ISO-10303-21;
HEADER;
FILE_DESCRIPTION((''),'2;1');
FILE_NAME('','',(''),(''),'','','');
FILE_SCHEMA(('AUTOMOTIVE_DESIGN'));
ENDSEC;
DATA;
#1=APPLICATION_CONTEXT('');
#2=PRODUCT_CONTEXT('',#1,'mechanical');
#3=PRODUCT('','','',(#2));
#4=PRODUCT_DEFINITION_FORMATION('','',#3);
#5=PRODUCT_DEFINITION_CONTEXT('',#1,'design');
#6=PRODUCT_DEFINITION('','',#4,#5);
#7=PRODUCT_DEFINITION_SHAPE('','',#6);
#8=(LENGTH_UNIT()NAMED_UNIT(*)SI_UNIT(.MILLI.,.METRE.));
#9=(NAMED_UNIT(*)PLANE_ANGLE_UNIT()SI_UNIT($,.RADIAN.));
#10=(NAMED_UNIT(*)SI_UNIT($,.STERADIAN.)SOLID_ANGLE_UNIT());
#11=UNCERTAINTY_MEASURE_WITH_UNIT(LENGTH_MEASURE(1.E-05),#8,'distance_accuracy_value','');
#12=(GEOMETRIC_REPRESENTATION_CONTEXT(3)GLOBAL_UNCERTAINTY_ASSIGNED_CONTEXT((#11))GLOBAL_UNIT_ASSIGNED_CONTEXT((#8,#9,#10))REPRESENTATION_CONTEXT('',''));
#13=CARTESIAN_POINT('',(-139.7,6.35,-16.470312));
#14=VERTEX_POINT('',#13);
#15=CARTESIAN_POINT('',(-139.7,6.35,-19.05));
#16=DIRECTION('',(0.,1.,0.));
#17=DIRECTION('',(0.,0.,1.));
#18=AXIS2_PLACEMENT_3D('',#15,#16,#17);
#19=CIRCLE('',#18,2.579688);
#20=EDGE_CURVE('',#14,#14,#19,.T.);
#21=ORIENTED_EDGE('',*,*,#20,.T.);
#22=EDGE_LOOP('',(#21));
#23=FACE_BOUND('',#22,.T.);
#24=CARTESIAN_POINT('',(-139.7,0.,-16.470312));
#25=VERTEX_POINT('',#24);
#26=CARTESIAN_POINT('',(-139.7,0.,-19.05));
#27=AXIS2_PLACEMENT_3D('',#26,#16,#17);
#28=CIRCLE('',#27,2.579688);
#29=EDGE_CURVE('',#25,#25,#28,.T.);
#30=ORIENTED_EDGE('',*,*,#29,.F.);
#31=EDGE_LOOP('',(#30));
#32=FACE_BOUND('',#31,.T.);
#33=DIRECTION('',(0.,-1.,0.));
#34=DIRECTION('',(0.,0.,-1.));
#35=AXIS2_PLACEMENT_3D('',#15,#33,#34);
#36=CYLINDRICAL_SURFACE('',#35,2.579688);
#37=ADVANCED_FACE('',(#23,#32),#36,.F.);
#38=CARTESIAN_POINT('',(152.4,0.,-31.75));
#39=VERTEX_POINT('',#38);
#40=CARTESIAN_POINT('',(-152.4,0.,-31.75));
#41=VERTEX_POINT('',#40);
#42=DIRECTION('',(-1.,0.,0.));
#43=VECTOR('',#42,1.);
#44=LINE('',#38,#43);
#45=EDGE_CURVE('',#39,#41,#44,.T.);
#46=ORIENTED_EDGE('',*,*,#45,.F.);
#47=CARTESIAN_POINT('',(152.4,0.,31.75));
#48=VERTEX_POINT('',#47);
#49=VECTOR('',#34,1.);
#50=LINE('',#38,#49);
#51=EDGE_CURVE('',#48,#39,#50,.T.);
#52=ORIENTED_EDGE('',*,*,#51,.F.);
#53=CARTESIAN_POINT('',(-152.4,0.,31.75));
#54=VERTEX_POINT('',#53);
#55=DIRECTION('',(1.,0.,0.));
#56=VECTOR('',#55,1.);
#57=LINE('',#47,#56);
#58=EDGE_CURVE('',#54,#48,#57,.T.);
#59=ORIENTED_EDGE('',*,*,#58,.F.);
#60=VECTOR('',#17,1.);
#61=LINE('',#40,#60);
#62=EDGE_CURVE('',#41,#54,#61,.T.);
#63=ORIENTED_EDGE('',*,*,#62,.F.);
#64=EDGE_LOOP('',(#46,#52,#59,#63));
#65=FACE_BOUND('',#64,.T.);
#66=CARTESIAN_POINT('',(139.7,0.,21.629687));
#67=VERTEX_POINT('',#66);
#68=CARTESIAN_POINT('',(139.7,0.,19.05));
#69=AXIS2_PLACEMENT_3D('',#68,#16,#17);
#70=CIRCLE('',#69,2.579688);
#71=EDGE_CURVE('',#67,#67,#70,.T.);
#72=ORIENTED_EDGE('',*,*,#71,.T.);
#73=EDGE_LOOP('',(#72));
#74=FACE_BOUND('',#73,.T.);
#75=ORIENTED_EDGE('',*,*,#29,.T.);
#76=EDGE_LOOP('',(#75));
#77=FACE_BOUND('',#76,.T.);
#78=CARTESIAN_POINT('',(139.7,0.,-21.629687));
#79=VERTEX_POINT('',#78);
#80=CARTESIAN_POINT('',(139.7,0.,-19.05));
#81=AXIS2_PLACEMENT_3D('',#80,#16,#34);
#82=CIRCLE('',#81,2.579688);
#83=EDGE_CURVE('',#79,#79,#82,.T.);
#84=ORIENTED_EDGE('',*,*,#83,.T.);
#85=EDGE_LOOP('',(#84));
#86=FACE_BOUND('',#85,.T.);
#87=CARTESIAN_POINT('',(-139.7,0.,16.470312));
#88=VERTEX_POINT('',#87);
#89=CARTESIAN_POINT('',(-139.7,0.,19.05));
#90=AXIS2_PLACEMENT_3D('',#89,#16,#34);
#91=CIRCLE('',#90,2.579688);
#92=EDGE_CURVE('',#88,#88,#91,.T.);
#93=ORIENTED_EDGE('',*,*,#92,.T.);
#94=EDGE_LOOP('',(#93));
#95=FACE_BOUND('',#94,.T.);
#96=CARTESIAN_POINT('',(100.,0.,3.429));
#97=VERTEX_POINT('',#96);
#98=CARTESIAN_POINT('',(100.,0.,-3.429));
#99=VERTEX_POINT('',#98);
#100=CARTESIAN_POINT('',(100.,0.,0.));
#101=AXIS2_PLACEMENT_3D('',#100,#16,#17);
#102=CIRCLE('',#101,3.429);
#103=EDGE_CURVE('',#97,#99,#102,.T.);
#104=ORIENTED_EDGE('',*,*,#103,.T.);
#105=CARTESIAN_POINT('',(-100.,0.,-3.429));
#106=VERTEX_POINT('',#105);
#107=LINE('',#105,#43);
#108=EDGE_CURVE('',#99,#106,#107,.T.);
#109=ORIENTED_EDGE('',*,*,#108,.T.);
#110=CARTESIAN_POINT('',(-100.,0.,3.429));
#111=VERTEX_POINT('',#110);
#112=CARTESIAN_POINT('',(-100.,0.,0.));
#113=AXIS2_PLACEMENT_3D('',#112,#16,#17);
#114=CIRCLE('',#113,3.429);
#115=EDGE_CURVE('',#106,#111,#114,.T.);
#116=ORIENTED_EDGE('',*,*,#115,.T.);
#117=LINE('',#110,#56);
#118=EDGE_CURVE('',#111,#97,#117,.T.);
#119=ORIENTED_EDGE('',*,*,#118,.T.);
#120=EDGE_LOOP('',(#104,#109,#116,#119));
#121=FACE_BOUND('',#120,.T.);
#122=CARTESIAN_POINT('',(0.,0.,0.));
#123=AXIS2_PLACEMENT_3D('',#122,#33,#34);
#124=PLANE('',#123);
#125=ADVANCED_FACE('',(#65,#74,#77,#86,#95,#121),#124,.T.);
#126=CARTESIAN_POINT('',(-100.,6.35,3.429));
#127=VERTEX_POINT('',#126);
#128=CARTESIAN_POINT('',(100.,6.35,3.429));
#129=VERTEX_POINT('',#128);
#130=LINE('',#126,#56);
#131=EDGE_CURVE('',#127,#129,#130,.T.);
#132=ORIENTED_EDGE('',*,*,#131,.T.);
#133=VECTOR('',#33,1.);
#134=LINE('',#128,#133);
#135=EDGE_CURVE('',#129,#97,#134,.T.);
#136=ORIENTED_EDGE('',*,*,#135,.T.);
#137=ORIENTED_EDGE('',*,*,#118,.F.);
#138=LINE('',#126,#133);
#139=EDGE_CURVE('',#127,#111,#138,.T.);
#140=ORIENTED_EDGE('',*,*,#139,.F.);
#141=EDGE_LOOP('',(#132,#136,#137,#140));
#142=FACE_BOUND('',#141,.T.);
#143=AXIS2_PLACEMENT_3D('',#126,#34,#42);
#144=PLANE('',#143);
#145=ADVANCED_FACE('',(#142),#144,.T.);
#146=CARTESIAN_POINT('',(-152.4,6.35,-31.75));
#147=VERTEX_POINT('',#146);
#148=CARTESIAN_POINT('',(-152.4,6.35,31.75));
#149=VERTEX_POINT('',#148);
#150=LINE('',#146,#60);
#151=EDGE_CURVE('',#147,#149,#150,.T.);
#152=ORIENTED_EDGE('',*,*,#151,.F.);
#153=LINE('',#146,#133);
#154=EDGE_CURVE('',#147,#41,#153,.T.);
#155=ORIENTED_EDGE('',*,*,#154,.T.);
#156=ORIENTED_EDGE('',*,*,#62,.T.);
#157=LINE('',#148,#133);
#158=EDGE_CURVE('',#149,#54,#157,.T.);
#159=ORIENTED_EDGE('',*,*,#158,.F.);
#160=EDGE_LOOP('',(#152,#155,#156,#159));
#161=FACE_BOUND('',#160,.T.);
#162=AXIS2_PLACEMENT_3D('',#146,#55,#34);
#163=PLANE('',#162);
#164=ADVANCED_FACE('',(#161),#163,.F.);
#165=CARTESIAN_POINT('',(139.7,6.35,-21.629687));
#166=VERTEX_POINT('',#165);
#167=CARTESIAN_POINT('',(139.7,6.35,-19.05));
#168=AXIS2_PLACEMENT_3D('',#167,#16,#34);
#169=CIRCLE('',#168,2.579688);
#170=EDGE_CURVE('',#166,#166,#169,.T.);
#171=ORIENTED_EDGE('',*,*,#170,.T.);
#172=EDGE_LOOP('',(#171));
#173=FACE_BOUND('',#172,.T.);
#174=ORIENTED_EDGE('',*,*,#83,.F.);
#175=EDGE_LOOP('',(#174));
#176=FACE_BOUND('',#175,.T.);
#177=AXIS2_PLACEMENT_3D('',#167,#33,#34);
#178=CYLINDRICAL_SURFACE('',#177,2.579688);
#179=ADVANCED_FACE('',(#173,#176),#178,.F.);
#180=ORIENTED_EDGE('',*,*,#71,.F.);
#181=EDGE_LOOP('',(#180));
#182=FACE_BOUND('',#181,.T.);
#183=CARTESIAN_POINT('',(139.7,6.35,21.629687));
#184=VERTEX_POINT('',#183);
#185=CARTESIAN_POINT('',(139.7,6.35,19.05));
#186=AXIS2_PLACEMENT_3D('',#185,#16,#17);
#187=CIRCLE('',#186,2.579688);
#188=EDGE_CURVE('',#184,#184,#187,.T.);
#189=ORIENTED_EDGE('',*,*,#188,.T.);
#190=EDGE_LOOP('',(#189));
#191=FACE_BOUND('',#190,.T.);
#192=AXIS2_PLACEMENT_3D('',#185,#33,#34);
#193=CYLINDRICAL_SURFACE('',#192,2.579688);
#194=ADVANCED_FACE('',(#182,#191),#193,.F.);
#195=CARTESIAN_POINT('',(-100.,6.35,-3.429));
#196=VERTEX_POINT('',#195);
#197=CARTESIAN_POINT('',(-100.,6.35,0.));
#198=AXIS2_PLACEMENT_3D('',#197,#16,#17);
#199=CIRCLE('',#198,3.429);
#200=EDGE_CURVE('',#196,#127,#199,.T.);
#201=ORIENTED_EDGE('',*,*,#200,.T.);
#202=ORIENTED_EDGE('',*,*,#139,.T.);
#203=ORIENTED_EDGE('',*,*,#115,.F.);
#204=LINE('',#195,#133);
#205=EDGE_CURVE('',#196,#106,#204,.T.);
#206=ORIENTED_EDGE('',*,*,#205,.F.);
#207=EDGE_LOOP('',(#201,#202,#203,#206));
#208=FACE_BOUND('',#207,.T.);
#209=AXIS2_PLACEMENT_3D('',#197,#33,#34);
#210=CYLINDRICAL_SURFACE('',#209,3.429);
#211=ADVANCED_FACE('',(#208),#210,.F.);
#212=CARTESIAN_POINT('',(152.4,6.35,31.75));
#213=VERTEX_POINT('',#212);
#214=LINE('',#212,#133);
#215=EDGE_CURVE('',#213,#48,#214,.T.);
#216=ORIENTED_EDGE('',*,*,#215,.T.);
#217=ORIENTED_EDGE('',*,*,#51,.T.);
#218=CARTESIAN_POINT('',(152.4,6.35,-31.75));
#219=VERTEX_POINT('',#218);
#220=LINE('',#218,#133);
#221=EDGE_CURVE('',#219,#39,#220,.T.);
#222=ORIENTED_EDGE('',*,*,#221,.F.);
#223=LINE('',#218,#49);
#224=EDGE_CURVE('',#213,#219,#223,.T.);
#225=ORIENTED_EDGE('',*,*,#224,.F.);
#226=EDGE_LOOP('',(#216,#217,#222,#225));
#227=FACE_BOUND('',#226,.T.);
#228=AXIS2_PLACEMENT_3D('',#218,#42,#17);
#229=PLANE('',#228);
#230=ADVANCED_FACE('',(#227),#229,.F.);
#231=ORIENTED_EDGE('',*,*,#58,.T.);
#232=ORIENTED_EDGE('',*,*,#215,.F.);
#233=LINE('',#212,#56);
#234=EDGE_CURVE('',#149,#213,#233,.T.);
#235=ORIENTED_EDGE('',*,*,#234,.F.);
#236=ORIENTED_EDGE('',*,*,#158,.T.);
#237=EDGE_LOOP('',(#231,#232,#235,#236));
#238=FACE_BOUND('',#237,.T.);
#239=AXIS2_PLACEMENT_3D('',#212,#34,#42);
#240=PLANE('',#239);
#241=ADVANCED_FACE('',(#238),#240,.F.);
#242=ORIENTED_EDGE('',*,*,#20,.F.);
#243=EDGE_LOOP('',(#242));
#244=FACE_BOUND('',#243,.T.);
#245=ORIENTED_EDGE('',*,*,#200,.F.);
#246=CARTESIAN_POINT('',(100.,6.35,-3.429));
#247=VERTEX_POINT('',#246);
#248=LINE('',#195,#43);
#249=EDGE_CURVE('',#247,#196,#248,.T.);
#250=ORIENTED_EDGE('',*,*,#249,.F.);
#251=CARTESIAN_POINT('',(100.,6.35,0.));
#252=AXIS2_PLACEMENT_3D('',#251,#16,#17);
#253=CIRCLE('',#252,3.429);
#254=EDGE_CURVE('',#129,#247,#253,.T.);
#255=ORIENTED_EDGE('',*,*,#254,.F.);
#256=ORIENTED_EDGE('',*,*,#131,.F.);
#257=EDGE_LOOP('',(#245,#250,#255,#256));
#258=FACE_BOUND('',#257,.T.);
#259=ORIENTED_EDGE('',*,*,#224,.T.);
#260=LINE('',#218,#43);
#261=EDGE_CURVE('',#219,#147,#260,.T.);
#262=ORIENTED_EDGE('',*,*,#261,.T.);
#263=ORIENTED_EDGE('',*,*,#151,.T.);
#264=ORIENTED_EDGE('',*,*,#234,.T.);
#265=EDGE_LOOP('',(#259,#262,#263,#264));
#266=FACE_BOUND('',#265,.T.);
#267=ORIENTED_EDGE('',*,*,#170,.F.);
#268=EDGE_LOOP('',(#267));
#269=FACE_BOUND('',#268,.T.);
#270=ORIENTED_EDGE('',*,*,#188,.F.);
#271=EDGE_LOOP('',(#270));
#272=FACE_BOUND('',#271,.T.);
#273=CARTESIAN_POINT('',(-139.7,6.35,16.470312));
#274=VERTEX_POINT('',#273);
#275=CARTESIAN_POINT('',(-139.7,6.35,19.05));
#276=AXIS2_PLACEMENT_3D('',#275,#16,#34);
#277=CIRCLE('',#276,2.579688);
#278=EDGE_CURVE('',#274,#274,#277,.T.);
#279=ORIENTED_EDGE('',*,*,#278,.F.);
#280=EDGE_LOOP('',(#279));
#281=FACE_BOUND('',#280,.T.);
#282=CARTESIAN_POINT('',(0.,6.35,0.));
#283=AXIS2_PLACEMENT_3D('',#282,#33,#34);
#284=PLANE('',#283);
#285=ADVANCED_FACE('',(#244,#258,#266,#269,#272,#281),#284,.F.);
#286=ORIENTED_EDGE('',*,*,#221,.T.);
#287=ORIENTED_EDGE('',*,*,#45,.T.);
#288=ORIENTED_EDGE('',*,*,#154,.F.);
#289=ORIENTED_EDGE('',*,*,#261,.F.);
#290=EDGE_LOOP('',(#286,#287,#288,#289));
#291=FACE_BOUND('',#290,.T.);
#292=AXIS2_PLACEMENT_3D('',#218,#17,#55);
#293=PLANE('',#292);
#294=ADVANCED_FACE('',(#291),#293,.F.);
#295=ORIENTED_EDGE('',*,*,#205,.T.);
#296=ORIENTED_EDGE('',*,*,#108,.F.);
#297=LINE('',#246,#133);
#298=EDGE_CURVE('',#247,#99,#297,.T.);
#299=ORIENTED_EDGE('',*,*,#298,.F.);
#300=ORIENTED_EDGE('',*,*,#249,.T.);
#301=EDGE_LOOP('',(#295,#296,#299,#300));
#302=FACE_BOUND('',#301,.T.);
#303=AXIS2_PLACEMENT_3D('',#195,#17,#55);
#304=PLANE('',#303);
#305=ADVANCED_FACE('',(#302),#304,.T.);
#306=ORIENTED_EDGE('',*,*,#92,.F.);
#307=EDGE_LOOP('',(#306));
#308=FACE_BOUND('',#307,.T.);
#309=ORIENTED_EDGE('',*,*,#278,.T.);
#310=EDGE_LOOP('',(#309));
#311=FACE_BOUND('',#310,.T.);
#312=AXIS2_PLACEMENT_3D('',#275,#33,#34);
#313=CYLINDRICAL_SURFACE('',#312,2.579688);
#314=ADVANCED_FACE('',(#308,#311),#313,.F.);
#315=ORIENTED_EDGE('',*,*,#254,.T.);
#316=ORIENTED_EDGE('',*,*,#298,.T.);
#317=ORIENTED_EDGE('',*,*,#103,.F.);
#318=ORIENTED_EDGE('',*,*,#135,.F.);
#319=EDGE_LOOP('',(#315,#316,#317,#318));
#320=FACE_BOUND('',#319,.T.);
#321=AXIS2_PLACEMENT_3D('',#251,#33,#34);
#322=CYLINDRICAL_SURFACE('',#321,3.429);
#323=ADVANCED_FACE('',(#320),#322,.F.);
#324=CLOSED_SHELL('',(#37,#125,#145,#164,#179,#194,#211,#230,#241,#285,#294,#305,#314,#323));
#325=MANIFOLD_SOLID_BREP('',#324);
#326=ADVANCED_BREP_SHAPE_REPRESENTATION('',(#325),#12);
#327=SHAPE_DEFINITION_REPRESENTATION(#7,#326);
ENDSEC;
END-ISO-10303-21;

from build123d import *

# Parameters (mm, degrees)
SKETCH1_W           = 304.8
SKETCH1_H           = 63.5
SKETCH1_R           = 2.5796875
BOSS_EXTRUDE1_DEPTH = 6.35


with BuildPart() as part:
    # Sketch1 → Boss-Extrude1 (new body)
    with BuildSketch(Plane(origin=(0, 0, 0), x_dir=(1, 0, 0), z_dir=(0, 1, 0))):
        Rectangle(SKETCH1_W, SKETCH1_H)
        with Locations(Location((-139.7, 19.05, 0), (0, 0, 270))):
            Circle(SKETCH1_R, mode=Mode.SUBTRACT)
        with Locations(Location((139.7, 19.05, 0), (0, 0, 90))):
            Circle(SKETCH1_R, mode=Mode.SUBTRACT)
        with Locations(Location((139.7, -19.05, 0), (0, 0, 270))):
            Circle(SKETCH1_R, mode=Mode.SUBTRACT)
        with Locations(Location((-139.7, -19.05, 0), (0, 0, 90))):
            Circle(SKETCH1_R, mode=Mode.SUBTRACT)
        with BuildLine():
            Line((-100, 3.429), (100, 3.429))
            ThreePointArc((100, 3.429), (103.429, 0), (100, -3.429))
            Line((100, -3.429), (-100, -3.429))
            ThreePointArc((-100, -3.429), (-103.429, 0), (-100, 3.429))
        make_face(mode=Mode.SUBTRACT)
    extrude(amount=BOSS_EXTRUDE1_DEPTH)


solid = part.part
